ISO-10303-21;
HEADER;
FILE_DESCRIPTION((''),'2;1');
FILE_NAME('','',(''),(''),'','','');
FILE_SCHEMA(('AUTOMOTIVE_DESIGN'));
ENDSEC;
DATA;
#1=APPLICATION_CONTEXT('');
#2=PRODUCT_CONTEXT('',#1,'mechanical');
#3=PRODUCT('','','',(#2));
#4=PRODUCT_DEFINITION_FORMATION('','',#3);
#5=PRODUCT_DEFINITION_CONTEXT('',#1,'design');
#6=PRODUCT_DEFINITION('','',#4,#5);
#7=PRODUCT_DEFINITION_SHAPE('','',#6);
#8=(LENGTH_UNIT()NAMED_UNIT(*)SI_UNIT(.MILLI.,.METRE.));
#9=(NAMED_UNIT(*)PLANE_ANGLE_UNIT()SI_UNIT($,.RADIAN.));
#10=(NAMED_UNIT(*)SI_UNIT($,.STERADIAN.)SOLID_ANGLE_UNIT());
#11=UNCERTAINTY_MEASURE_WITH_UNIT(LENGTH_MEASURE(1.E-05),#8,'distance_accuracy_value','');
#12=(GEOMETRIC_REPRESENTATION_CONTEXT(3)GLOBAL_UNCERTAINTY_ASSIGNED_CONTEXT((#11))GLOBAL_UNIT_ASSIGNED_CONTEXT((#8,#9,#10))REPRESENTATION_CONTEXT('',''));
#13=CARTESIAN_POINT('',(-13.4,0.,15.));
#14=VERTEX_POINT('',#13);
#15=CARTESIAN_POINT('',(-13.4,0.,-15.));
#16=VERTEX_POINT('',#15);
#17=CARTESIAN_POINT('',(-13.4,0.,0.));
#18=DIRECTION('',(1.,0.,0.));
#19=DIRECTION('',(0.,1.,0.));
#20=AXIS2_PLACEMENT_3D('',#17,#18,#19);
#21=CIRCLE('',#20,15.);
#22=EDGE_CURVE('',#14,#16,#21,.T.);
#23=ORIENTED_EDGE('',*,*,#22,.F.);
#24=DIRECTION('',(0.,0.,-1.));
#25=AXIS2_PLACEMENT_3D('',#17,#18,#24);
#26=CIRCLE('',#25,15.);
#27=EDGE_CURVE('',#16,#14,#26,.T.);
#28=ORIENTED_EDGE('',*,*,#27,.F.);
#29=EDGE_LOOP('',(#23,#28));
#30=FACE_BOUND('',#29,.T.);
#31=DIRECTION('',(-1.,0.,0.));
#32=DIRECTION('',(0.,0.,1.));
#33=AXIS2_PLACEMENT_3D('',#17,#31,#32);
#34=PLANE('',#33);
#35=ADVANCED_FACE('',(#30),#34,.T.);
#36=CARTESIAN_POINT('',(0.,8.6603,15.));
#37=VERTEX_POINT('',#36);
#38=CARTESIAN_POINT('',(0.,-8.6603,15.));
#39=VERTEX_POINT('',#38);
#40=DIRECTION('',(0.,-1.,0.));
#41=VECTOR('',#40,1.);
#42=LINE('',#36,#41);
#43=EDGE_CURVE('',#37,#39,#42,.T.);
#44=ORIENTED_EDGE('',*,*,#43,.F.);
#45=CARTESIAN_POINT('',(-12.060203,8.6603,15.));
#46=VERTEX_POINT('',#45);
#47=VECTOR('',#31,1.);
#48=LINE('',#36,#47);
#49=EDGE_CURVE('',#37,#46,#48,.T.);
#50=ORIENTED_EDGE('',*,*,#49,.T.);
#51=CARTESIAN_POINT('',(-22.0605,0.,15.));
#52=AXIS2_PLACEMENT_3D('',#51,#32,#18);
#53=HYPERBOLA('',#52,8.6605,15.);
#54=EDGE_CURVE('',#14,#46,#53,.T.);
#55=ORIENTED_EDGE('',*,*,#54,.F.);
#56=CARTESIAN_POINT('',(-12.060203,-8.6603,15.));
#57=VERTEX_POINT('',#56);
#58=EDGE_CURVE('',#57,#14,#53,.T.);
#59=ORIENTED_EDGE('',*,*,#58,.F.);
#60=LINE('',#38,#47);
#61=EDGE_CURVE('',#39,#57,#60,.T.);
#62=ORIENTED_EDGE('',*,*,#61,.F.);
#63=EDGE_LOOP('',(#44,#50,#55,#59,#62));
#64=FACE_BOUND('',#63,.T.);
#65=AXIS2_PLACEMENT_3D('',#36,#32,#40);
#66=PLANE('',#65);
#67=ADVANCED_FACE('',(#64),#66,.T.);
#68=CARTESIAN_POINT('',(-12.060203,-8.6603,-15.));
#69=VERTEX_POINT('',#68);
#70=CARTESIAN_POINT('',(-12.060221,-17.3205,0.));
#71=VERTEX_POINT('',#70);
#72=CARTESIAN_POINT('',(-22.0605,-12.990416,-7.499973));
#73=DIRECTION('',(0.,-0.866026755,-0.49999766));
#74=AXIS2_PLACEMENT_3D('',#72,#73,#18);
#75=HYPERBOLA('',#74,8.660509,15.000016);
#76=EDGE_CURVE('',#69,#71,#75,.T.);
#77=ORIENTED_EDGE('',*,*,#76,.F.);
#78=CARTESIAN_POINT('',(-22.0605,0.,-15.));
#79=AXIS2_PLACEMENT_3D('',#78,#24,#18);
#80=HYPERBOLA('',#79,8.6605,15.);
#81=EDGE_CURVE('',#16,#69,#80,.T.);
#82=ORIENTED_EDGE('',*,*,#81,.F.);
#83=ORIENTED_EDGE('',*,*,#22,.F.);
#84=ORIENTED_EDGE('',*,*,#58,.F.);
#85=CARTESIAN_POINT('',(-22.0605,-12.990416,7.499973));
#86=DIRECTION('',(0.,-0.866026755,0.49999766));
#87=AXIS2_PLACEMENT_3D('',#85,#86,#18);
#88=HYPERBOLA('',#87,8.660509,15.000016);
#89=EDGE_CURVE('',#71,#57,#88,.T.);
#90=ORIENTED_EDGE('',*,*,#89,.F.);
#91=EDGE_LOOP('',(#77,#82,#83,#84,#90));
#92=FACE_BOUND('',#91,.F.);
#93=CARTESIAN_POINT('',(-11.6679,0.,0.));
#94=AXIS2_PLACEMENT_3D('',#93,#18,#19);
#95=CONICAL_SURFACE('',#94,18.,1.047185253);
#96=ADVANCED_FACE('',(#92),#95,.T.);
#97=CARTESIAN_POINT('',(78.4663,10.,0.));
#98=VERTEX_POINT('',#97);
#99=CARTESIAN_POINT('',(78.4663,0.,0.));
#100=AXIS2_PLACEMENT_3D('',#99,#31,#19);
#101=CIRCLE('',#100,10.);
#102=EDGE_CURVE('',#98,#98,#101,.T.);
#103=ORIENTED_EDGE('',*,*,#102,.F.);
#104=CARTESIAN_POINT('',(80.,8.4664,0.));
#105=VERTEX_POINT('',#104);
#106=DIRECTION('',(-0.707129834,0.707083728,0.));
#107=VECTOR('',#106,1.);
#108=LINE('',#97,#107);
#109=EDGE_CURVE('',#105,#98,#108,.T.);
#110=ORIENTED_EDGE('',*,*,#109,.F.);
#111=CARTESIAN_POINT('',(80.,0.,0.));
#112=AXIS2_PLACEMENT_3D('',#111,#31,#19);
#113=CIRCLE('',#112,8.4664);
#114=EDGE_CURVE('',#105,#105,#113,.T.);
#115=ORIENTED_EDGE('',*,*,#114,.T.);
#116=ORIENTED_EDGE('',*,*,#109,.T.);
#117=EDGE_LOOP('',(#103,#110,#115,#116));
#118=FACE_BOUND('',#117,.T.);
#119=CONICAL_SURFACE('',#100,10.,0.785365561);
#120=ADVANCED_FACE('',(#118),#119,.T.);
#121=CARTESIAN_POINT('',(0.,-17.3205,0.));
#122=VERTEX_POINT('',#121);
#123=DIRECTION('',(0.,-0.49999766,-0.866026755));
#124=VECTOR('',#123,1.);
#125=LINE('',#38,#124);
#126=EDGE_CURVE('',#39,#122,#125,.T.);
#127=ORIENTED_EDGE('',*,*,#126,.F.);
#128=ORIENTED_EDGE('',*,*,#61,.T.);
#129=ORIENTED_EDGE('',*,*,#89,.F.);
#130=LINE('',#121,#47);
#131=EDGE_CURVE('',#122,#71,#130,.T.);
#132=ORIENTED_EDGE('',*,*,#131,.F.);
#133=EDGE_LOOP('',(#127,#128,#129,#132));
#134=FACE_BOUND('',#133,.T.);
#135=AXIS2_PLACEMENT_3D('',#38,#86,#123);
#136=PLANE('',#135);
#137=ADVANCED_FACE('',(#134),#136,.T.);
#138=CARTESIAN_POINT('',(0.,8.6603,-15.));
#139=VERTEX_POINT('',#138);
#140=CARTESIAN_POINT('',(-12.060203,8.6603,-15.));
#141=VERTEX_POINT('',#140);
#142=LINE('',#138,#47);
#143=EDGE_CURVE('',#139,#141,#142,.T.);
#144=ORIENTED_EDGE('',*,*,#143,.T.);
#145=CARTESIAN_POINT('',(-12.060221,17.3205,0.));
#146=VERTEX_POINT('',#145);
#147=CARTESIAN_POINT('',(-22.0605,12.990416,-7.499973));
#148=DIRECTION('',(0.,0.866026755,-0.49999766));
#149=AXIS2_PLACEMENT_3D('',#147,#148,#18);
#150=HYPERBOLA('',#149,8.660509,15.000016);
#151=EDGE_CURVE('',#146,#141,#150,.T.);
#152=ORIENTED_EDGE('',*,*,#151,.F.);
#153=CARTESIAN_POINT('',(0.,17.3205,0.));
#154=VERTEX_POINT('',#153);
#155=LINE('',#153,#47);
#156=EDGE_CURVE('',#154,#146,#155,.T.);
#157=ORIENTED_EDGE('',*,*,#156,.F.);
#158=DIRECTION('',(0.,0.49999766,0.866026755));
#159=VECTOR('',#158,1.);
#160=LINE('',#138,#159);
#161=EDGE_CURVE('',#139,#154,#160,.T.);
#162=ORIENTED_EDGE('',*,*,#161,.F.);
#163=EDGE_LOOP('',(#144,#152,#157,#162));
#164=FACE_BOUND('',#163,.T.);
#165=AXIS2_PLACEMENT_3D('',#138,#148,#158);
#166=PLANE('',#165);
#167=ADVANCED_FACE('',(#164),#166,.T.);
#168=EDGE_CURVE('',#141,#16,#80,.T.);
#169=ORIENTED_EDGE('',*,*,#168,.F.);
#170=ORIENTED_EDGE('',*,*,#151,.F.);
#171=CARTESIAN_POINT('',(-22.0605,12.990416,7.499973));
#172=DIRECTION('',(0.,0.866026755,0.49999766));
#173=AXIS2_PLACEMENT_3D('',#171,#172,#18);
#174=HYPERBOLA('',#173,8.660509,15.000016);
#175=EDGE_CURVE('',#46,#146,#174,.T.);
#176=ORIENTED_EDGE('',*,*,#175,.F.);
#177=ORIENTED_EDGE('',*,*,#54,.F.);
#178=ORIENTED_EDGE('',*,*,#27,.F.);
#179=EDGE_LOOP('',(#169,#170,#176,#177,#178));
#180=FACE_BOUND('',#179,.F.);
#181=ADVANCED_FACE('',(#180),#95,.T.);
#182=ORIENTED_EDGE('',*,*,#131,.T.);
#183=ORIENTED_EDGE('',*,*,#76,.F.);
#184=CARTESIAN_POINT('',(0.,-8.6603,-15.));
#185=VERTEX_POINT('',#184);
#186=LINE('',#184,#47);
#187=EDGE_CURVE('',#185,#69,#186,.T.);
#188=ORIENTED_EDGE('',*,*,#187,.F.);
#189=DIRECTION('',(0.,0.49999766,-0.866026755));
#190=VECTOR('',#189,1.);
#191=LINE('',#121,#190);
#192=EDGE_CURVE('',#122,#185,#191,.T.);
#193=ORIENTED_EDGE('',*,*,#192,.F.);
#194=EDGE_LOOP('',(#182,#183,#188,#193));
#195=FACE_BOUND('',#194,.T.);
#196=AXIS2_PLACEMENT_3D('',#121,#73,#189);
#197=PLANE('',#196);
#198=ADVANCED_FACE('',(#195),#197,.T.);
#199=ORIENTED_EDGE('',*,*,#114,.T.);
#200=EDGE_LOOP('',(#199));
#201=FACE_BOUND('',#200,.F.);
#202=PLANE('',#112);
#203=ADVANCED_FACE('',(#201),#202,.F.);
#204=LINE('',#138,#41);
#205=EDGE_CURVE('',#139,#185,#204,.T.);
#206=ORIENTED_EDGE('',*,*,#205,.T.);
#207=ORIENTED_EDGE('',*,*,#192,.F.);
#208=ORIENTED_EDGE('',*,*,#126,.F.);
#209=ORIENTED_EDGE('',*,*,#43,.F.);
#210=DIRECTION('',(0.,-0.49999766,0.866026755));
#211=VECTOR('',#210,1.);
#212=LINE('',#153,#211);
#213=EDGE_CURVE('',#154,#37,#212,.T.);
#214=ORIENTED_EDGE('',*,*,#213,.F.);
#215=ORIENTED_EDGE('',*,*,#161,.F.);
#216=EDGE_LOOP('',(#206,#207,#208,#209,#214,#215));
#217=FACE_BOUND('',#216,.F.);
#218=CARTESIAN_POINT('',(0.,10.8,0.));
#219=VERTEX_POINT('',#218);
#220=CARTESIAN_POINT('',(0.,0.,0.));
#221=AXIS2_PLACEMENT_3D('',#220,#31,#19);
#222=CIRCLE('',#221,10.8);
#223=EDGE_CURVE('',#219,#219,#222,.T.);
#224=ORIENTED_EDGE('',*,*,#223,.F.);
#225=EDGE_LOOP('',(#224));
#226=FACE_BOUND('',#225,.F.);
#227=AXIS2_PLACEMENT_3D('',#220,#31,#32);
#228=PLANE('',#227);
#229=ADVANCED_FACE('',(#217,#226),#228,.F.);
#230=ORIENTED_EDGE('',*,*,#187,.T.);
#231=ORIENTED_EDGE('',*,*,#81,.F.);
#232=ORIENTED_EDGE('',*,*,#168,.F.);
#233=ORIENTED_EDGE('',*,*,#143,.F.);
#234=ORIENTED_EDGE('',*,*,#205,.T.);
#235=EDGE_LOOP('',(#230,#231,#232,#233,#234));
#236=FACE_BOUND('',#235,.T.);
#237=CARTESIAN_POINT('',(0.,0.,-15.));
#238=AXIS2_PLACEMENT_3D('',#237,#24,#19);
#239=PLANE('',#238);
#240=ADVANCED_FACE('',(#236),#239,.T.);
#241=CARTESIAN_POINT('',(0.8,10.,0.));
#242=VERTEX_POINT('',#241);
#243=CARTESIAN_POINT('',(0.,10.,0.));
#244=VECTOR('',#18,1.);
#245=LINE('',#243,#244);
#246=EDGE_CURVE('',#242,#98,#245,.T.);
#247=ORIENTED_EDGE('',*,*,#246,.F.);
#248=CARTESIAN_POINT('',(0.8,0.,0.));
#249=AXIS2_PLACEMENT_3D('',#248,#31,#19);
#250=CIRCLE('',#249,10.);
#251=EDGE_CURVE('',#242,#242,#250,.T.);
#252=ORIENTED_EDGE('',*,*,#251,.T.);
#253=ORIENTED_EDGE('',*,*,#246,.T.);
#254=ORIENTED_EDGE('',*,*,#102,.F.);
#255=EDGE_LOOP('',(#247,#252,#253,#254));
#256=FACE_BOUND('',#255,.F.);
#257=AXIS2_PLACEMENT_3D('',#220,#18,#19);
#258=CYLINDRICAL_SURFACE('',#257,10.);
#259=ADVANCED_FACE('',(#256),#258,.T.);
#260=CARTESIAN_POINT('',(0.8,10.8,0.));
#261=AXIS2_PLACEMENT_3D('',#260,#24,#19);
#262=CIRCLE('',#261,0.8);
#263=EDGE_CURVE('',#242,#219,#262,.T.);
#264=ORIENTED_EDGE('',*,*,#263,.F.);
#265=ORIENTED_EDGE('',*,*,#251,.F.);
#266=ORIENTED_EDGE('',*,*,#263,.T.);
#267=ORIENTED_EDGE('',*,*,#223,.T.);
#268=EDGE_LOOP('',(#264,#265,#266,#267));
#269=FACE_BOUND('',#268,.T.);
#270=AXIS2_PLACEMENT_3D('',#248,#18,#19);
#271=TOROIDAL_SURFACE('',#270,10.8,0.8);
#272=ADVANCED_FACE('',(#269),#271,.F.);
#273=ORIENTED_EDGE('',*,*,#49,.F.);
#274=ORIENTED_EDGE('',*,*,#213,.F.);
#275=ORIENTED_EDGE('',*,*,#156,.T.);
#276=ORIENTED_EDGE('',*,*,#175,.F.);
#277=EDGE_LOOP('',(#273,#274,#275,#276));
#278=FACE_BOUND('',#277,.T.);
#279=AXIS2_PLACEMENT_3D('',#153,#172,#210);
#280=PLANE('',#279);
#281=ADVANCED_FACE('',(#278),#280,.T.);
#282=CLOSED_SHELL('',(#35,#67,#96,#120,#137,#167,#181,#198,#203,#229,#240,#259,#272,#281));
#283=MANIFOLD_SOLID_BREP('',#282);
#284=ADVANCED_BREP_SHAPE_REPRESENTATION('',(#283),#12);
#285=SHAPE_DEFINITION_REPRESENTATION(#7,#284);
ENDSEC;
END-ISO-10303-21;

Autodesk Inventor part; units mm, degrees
ref_plane "YZ Plane" through (0, 0, 0) normal (1, 0, 0) x (0, 1, 0)
ref_plane "XZ Plane" through (0, 0, 0) normal (0, 1, 0) x (-1, 0, 0)
sketch "Sketch1" plane through (0, 0, 0) normal (0, 0, 1) x (1, 0, 0)
  line L0 (0, 10) -> (80, 10)
  line L1 (80, 10) -> (80, 0)
  line L2 (80, 0) -> (0, 0)
  line L3 (-16, 0) -> (96, 0) projected
  line L4 (0, -2) -> (0, 12) projected
  line L5 (0, 10) -> (0, 0)
  dimension "d2" = 20
  dimension "d59" = 80
revolve "Body" add sketch "Sketch1" angle 360 about axis through (80, 0, 0) along (-1, 0, 0)
sketch "Sketch2" plane through (0, 0, 0) normal (-1, 0, 0) x (0, 0, 1)
  line L0 (0, 17.3205) -> (15, 8.6603)
  line L1 (15, 8.6603) -> (15, -8.6603)
  line L2 (15, -8.6603) -> (0, -17.3205)
  line L3 (0, -17.3205) -> (-15, -8.6603)
  line L4 (-15, -8.6603) -> (-15, 8.6603)
  line L5 (-15, 8.6603) -> (0, 17.3205)
  line L6 (-21, 0) -> (21, 0) projected
  line L7 (0, 24.2487) -> (0, -24.2487) projected
  point P0 (0, 0)
  point P1 (0, 0)
  dimension "d11" = 30
extrude "Head" add sketch "Sketch2" along normal blind 13.4
sketch "Sketch4" plane through (0, 0, 0) normal (0, 0, 1) x (1, 0, 0)
  line L0 (-11.6679, 18) -> (-13.4, 15)
  line L1 (-1.1, 0) -> (-0.234, 0)
  line L2 (-16.0332, 0) -> (2.3992, 0) projected
  line L3 (-13.4, 18) -> (-11.6679, 18)
  line L4 (-13.4, 15) -> (-13.4, 18)
  line L5 (0, 21.6) -> (0, -3.6) projected
  dimension "d65" = 30
  dimension "d67" = 30
  dimension "d68" = 36
  dimension "d69" = 13.4
revolve "Chamfer1" cut sketch "Sketch4" angle 360 about axis through (-1.1, 0, 0) along (1, 0, 0)
thread "Thread" size "M20x2.5" class "6g" standard "ISO Metric profile" length 46
chamfer "Chamfer2" distance 1.5336 distance2 1.5337 1 edges at (80, -10, 0) measured on face at (80, -2.8768, 3.7595)
fillet "Fillet" radius 0.8 1 edges at (0, -10, 0)
ref_plane "Work Plane1" through (1.525, 0, 0) normal (0, 0, 1) x (1, 0, 0)
equation "\"d2\" = GD"
equation "\"d59\" = NLG"
equation "\"d11\" = SW"
equation "\"d3\" = KOH"
equation "\"d15\" = GEL"
equation "\"d6\" = -0.5 * SPD + 0.5 * GD"
equation "\"d71\" = RR1"
equation "\"d65\" = SW"
equation "\"d67\" = ANG1"
equation "\"d68\" = 1.2 * SW"
equation "\"d69\" = KOH"
equation "\"NLG\" = 80"
equation "\"GD\" = NND"
equation "\"KOH\" = 13.4"
equation "\"GEL\" = 46"
equation "\"SW\" = 30"
equation "\"SPD\" = NND - 1.2269 * PTC"
equation "\"SD\" = 0"
equation "\"ANG1\" = 30deg"
equation "\"GAL\" = 0.61345 * PTC"
equation "\"GUL\" = 0.61345 * PTC"
equation "\"RR\" = 0.1"
equation "\"RR1\" = 0.8"
equation "\"GD1\" = THREADDIA - 1.2269 * PTC"
equation "\"TOA\" = 30deg"
equation "\"PTC\" = 2.5"
equation "\"KOH1\" = 8.8"
equation "\"E0\" = 1.155 * SW"
equation "\"NND\" = 20"
equation "\"THREADDIA\" = 20"
properties part number "ANSI B18.2.3.5M - M20 x 2,5 x 80" material "Steel, Mild"
